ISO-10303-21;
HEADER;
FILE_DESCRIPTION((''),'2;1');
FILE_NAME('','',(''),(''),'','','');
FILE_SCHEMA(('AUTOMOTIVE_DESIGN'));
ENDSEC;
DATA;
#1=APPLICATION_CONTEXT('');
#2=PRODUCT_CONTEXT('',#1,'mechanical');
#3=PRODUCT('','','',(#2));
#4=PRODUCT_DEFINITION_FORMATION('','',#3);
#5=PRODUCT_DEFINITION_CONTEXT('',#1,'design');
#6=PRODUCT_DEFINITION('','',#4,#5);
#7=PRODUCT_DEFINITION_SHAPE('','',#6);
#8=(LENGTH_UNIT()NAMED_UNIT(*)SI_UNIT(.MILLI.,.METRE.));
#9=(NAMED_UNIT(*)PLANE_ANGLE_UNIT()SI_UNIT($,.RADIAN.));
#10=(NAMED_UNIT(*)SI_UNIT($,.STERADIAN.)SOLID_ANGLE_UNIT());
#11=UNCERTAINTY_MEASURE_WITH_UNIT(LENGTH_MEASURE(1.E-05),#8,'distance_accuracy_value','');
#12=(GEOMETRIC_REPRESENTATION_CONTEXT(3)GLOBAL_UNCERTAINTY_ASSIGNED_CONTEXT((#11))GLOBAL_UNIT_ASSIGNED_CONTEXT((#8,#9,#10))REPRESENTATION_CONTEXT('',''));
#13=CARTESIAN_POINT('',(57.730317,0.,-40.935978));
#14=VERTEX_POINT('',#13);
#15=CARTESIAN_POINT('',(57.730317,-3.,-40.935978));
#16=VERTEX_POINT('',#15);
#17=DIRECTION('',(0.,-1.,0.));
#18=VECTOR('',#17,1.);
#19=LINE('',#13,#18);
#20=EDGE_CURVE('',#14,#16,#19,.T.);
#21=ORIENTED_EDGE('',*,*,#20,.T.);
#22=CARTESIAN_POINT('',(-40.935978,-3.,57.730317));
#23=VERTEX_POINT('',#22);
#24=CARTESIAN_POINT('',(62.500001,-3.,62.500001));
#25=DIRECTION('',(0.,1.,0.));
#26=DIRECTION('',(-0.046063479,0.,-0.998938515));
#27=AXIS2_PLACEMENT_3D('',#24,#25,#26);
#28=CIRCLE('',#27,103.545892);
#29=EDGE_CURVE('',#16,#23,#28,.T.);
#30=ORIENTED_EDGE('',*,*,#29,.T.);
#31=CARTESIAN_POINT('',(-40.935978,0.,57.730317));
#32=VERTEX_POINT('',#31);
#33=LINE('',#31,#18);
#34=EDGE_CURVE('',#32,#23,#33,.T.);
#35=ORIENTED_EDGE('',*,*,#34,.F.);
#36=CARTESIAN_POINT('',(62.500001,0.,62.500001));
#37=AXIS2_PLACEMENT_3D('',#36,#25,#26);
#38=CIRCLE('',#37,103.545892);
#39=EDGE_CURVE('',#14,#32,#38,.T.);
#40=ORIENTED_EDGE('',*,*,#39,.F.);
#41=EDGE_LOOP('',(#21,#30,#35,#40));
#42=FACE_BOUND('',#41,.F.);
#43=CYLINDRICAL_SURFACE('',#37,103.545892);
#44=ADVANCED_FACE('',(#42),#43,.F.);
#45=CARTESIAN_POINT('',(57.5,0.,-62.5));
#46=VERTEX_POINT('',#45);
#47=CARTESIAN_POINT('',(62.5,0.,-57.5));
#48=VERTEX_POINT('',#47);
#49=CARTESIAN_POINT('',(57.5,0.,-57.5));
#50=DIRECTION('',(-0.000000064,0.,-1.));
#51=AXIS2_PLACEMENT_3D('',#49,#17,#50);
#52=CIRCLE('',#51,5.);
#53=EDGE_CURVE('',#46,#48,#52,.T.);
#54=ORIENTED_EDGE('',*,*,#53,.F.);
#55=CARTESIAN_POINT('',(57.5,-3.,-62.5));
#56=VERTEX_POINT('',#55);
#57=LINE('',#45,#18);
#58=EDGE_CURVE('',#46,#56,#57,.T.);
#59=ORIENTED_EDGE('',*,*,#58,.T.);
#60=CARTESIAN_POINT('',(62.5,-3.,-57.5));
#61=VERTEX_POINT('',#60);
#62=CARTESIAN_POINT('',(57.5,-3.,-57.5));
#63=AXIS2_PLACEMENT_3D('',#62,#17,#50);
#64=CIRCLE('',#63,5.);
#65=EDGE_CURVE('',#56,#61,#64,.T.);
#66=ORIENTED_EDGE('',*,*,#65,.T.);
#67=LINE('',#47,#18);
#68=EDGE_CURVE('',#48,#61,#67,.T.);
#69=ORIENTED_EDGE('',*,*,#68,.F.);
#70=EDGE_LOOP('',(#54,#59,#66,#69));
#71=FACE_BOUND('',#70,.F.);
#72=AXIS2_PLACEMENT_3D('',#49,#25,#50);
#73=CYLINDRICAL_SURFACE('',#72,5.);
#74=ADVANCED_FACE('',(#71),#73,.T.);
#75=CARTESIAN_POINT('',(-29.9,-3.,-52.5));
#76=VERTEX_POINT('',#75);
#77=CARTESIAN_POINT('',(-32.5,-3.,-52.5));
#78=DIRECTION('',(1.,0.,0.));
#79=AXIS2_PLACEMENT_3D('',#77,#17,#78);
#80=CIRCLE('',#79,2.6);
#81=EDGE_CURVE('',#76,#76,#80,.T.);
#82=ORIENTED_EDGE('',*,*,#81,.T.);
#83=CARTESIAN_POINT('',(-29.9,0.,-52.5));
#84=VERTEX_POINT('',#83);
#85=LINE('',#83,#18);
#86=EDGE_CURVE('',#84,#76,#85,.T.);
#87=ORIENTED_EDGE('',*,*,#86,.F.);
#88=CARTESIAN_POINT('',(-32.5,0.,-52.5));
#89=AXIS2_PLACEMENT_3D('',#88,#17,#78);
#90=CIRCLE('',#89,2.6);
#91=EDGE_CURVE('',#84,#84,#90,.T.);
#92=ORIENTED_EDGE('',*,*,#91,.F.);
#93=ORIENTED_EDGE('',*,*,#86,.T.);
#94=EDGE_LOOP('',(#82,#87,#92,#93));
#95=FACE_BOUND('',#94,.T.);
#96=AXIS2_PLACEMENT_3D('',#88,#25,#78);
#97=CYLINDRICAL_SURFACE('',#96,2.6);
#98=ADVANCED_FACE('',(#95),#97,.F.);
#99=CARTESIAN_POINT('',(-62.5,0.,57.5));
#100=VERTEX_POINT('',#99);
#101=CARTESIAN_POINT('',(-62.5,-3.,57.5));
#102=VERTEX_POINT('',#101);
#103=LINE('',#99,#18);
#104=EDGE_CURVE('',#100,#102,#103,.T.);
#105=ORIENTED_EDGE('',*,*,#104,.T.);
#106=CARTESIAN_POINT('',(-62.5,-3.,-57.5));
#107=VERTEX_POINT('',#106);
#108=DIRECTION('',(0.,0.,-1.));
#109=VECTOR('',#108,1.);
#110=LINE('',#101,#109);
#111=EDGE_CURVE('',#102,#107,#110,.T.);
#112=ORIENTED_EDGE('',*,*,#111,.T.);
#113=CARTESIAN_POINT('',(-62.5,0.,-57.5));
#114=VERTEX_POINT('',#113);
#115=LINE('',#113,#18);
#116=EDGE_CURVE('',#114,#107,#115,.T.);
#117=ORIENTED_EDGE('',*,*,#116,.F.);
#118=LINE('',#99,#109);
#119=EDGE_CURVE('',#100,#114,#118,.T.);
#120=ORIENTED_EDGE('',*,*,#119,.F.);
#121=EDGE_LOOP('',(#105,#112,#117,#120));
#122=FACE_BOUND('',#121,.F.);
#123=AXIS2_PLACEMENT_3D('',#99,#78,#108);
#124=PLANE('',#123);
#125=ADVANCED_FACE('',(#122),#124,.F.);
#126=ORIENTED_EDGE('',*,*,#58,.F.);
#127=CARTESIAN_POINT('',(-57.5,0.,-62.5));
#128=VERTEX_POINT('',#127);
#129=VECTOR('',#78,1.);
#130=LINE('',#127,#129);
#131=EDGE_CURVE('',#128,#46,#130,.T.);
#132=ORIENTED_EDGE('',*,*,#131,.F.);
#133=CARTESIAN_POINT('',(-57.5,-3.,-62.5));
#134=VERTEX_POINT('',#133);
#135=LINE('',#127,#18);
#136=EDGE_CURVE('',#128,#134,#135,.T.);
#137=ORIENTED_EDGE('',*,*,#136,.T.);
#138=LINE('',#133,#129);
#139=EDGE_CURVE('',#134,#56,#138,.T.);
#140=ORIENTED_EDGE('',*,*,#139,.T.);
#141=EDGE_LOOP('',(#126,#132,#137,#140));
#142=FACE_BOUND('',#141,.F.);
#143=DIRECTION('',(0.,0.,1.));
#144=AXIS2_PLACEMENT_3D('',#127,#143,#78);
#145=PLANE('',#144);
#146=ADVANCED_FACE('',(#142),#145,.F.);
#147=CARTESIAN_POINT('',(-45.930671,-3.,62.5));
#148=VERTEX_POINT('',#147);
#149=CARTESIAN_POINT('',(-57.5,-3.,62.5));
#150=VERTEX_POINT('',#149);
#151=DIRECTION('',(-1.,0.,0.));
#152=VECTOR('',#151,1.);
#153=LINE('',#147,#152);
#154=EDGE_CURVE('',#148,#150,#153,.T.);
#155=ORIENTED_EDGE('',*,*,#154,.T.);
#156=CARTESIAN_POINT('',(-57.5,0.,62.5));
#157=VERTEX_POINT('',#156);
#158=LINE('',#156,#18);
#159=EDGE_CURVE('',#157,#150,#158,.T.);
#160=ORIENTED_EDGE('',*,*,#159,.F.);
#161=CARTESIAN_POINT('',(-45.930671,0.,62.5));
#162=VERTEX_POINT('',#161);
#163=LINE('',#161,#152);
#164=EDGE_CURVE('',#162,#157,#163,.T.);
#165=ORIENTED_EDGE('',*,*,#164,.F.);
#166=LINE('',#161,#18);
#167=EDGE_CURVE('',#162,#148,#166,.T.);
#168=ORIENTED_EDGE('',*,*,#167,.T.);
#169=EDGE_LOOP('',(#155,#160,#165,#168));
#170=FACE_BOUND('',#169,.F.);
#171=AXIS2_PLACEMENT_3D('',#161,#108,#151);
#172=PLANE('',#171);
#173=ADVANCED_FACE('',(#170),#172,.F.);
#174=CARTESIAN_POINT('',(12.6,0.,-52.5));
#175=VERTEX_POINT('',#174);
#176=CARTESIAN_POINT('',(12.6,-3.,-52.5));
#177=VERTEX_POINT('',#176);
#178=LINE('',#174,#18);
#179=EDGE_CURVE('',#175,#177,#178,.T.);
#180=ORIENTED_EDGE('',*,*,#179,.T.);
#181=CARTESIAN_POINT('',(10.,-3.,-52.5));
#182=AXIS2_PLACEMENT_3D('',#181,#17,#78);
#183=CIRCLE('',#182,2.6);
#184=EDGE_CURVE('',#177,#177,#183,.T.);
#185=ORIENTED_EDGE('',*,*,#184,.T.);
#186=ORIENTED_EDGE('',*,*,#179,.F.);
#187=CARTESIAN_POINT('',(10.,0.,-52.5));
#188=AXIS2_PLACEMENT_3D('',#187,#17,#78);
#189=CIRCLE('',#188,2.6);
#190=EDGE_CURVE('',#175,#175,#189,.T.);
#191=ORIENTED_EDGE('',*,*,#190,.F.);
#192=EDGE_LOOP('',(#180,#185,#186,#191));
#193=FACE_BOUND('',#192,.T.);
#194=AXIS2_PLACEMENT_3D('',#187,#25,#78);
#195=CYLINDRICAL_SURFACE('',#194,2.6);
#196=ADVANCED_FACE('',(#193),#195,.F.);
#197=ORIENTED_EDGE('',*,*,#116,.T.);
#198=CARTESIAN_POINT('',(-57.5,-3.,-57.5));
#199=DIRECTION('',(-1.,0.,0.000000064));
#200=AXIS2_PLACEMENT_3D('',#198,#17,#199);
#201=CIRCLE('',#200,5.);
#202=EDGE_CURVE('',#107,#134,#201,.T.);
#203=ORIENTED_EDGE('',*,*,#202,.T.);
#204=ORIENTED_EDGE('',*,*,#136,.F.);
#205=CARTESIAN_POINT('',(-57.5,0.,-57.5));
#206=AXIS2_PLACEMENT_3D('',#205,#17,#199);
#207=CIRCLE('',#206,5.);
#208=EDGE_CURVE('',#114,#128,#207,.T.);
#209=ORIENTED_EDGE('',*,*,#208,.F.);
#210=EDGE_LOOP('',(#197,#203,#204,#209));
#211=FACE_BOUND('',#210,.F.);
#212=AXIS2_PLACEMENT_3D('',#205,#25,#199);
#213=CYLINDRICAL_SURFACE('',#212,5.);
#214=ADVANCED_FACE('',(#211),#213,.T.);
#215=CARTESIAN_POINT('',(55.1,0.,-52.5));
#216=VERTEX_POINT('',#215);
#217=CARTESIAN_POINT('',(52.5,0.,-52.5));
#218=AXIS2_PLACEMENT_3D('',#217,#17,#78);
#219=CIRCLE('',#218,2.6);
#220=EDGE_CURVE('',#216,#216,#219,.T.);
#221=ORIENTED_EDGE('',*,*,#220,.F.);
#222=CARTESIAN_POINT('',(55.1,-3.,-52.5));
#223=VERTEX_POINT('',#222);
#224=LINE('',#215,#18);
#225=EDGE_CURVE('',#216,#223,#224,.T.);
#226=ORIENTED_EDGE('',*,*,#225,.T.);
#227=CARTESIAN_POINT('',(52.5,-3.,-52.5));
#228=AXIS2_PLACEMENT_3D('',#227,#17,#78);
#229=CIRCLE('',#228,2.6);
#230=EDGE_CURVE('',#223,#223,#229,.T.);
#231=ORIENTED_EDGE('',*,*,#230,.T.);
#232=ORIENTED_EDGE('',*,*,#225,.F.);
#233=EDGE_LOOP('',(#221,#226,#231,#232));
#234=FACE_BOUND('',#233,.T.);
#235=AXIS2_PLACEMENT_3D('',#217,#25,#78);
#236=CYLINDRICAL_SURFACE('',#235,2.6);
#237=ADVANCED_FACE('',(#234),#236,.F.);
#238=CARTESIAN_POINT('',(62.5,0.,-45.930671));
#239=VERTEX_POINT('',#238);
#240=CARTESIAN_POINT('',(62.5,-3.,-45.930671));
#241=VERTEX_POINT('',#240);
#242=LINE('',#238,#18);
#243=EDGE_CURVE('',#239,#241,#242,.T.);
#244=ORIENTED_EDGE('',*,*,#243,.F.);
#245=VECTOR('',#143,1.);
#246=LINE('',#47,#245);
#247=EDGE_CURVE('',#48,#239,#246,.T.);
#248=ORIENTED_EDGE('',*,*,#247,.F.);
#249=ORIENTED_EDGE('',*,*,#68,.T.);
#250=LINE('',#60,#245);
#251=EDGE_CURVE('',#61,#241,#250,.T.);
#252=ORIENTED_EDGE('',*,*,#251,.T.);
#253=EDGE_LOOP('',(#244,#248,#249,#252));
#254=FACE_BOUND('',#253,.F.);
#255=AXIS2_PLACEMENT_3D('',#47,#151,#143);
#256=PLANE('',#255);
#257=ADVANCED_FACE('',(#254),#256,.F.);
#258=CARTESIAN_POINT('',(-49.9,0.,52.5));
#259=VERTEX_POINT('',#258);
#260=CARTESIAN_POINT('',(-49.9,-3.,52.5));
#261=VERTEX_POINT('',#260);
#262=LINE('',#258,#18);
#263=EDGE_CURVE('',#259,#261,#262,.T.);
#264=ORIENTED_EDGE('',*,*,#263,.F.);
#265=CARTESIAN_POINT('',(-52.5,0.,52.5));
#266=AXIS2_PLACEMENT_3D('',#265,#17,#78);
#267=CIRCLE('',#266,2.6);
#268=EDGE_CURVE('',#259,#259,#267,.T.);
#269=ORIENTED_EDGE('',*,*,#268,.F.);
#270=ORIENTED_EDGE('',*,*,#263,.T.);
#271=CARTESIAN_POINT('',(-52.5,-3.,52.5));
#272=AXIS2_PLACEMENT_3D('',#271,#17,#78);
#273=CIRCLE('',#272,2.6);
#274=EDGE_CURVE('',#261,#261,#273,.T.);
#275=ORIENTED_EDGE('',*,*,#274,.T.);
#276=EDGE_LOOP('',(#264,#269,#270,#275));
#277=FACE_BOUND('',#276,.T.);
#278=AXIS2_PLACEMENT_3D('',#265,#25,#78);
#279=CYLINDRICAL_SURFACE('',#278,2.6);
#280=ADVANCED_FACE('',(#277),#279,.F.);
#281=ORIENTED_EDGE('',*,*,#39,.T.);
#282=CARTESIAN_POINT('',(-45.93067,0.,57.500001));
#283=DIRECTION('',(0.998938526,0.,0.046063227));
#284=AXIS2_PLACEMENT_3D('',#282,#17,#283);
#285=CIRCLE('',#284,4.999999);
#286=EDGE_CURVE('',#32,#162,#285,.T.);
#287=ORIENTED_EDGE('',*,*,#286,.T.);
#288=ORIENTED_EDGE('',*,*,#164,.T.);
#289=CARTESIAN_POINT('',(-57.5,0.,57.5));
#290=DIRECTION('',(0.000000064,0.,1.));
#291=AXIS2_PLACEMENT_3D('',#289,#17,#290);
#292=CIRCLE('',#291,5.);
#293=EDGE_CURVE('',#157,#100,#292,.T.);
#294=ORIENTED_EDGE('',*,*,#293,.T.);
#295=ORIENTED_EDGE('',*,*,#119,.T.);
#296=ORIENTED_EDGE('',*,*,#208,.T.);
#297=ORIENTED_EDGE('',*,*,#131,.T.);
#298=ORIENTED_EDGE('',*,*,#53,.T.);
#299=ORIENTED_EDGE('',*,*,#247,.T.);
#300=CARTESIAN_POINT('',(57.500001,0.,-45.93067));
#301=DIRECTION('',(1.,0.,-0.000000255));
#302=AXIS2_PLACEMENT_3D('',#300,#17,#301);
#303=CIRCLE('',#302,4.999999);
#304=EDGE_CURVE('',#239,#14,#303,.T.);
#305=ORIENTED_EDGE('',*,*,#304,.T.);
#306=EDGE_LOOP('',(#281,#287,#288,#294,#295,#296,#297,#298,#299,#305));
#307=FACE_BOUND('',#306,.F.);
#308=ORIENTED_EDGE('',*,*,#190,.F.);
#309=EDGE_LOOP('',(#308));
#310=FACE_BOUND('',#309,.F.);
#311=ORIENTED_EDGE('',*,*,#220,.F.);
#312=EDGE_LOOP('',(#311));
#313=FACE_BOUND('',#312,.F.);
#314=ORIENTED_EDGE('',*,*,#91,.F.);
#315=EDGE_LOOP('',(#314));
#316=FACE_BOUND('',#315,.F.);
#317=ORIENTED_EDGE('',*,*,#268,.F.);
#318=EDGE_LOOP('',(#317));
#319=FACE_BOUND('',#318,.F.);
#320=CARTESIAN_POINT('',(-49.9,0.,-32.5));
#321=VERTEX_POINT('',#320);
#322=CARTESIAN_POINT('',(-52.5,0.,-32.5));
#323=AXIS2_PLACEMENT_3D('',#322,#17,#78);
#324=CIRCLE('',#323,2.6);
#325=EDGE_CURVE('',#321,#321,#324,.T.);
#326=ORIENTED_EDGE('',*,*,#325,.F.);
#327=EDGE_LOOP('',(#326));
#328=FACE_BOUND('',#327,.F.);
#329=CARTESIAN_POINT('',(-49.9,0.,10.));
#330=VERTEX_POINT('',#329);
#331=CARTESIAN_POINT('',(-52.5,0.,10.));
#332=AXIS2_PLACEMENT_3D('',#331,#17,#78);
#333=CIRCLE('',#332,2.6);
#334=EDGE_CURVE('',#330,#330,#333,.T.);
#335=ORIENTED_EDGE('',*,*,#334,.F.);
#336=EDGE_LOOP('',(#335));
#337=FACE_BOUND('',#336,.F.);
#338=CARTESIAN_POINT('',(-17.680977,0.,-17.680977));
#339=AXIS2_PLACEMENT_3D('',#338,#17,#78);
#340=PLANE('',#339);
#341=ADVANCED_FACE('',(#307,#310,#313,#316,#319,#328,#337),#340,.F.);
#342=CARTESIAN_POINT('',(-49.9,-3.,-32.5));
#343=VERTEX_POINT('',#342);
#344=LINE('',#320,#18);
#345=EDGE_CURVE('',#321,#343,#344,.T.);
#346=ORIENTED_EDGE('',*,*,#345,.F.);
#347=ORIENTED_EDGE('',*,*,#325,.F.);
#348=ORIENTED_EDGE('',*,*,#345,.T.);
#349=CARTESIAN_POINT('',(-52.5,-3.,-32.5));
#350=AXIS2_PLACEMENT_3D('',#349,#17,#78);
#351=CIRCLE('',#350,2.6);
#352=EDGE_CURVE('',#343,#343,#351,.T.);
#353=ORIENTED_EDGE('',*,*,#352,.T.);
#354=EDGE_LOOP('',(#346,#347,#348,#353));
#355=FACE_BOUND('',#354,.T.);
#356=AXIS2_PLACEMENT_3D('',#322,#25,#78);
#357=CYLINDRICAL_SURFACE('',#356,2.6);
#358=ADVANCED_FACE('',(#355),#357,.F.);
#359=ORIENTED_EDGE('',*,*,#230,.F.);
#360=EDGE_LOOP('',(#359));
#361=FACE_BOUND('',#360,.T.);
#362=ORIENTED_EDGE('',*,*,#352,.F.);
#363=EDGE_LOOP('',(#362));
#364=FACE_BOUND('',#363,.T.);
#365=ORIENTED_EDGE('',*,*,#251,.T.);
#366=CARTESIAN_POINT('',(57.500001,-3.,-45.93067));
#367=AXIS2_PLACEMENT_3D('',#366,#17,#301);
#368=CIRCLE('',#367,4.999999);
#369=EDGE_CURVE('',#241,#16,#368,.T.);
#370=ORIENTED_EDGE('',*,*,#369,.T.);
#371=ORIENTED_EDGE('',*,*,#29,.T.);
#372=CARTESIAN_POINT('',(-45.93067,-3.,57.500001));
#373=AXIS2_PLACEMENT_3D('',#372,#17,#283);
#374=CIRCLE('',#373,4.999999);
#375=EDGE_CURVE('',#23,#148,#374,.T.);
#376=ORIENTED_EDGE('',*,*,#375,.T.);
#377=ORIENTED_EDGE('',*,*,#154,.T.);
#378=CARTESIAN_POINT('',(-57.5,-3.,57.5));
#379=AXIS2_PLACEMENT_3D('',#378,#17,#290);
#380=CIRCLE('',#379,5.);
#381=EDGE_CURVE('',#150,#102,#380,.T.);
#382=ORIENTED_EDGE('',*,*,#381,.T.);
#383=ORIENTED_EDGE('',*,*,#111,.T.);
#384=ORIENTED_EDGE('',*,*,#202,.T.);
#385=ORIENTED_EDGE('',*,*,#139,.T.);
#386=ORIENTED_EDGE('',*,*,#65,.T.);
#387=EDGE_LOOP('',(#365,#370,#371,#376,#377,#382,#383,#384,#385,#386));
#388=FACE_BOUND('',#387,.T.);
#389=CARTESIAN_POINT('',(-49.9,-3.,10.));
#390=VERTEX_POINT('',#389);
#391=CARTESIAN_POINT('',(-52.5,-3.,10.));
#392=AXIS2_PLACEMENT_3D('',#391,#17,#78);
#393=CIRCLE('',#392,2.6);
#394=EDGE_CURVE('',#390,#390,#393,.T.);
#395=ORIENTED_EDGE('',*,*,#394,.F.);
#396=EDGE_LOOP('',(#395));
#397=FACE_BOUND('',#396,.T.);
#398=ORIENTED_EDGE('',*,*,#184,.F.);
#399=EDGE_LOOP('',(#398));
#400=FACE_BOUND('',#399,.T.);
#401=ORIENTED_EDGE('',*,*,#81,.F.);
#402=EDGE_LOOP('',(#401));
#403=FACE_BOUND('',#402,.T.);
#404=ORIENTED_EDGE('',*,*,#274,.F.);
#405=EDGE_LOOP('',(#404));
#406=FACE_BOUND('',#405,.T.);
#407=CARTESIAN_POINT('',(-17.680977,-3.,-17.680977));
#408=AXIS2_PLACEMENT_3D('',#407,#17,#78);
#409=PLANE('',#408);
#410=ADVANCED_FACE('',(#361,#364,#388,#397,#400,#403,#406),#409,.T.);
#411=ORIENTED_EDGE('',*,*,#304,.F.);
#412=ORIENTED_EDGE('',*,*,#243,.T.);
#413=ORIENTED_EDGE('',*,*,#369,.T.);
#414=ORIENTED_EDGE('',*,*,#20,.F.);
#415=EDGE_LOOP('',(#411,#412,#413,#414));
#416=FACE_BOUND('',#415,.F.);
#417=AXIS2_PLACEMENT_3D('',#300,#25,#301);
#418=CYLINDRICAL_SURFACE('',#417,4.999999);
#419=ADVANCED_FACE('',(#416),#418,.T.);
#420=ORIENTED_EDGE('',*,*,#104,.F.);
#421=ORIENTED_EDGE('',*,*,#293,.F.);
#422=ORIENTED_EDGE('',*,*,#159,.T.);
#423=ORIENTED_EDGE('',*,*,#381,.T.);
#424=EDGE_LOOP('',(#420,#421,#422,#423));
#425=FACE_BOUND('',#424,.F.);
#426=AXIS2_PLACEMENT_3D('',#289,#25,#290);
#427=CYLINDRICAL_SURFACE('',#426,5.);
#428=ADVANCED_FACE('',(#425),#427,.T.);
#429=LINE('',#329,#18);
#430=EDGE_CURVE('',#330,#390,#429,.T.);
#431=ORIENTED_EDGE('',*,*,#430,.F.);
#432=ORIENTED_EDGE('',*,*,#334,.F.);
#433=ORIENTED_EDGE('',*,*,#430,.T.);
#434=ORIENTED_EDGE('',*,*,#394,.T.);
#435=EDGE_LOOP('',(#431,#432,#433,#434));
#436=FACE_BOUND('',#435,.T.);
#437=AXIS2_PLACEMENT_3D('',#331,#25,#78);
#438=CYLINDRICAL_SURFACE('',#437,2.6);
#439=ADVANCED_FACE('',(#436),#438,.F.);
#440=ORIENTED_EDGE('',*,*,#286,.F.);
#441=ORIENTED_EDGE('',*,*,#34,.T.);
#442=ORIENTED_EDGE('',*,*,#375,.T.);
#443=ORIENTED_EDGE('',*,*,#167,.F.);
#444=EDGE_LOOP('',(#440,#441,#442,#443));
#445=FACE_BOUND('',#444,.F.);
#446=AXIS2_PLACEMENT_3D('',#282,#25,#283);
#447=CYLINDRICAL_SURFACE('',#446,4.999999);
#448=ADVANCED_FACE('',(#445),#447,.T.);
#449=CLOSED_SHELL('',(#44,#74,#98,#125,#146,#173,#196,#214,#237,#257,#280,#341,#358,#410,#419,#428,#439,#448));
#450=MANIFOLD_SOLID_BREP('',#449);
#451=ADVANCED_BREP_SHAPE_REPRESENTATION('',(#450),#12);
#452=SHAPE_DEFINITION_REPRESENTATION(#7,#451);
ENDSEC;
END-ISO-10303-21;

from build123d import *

# Parameters (mm, degrees)
F0_R     = 2.6
F1_DEPTH = 3


with BuildPart() as f1:
    # F0 (on Front) → F1 (new body)
    with BuildSketch(Plane.XZ):
        with BuildLine():
            Line((-57.5, -62.5), (57.5, -62.5))
            ThreePointArc((57.5, -62.5), (61.035534, -61.035534), (62.5, -57.5))
            Line((62.5, -57.5), (62.5, -45.930671))
            ThreePointArc((62.5, -45.930671), (61.116047, -42.477526), (57.730317, -40.935978))
            ThreePointArc((57.730317, -40.935978), (-10.718001, -10.718001), (-40.935978, 57.730317))
            ThreePointArc((-40.935978, 57.730317), (-42.477526, 61.116047), (-45.930671, 62.5))
            Line((-45.930671, 62.5), (-57.5, 62.5))
            ThreePointArc((-57.5, 62.5), (-61.035534, 61.035534), (-62.5, 57.5))
            Line((-62.5, 57.5), (-62.5, -57.5))
            ThreePointArc((-62.5, -57.5), (-61.035534, -61.035534), (-57.5, -62.5))
        make_face()
        with Locations((-32.5, -52.5)):
            Circle(F0_R, mode=Mode.SUBTRACT)
        with Locations((-52.5, -32.5)):
            Circle(F0_R, mode=Mode.SUBTRACT)
        with Locations((10, -52.5)):
            Circle(F0_R, mode=Mode.SUBTRACT)
        with Locations((52.5, -52.5)):
            Circle(F0_R, mode=Mode.SUBTRACT)
        with Locations((-52.5, 10)):
            Circle(F0_R, mode=Mode.SUBTRACT)
        with Locations((-52.5, 52.5)):
            Circle(F0_R, mode=Mode.SUBTRACT)
    extrude(amount=F1_DEPTH)


solid = f1.part
